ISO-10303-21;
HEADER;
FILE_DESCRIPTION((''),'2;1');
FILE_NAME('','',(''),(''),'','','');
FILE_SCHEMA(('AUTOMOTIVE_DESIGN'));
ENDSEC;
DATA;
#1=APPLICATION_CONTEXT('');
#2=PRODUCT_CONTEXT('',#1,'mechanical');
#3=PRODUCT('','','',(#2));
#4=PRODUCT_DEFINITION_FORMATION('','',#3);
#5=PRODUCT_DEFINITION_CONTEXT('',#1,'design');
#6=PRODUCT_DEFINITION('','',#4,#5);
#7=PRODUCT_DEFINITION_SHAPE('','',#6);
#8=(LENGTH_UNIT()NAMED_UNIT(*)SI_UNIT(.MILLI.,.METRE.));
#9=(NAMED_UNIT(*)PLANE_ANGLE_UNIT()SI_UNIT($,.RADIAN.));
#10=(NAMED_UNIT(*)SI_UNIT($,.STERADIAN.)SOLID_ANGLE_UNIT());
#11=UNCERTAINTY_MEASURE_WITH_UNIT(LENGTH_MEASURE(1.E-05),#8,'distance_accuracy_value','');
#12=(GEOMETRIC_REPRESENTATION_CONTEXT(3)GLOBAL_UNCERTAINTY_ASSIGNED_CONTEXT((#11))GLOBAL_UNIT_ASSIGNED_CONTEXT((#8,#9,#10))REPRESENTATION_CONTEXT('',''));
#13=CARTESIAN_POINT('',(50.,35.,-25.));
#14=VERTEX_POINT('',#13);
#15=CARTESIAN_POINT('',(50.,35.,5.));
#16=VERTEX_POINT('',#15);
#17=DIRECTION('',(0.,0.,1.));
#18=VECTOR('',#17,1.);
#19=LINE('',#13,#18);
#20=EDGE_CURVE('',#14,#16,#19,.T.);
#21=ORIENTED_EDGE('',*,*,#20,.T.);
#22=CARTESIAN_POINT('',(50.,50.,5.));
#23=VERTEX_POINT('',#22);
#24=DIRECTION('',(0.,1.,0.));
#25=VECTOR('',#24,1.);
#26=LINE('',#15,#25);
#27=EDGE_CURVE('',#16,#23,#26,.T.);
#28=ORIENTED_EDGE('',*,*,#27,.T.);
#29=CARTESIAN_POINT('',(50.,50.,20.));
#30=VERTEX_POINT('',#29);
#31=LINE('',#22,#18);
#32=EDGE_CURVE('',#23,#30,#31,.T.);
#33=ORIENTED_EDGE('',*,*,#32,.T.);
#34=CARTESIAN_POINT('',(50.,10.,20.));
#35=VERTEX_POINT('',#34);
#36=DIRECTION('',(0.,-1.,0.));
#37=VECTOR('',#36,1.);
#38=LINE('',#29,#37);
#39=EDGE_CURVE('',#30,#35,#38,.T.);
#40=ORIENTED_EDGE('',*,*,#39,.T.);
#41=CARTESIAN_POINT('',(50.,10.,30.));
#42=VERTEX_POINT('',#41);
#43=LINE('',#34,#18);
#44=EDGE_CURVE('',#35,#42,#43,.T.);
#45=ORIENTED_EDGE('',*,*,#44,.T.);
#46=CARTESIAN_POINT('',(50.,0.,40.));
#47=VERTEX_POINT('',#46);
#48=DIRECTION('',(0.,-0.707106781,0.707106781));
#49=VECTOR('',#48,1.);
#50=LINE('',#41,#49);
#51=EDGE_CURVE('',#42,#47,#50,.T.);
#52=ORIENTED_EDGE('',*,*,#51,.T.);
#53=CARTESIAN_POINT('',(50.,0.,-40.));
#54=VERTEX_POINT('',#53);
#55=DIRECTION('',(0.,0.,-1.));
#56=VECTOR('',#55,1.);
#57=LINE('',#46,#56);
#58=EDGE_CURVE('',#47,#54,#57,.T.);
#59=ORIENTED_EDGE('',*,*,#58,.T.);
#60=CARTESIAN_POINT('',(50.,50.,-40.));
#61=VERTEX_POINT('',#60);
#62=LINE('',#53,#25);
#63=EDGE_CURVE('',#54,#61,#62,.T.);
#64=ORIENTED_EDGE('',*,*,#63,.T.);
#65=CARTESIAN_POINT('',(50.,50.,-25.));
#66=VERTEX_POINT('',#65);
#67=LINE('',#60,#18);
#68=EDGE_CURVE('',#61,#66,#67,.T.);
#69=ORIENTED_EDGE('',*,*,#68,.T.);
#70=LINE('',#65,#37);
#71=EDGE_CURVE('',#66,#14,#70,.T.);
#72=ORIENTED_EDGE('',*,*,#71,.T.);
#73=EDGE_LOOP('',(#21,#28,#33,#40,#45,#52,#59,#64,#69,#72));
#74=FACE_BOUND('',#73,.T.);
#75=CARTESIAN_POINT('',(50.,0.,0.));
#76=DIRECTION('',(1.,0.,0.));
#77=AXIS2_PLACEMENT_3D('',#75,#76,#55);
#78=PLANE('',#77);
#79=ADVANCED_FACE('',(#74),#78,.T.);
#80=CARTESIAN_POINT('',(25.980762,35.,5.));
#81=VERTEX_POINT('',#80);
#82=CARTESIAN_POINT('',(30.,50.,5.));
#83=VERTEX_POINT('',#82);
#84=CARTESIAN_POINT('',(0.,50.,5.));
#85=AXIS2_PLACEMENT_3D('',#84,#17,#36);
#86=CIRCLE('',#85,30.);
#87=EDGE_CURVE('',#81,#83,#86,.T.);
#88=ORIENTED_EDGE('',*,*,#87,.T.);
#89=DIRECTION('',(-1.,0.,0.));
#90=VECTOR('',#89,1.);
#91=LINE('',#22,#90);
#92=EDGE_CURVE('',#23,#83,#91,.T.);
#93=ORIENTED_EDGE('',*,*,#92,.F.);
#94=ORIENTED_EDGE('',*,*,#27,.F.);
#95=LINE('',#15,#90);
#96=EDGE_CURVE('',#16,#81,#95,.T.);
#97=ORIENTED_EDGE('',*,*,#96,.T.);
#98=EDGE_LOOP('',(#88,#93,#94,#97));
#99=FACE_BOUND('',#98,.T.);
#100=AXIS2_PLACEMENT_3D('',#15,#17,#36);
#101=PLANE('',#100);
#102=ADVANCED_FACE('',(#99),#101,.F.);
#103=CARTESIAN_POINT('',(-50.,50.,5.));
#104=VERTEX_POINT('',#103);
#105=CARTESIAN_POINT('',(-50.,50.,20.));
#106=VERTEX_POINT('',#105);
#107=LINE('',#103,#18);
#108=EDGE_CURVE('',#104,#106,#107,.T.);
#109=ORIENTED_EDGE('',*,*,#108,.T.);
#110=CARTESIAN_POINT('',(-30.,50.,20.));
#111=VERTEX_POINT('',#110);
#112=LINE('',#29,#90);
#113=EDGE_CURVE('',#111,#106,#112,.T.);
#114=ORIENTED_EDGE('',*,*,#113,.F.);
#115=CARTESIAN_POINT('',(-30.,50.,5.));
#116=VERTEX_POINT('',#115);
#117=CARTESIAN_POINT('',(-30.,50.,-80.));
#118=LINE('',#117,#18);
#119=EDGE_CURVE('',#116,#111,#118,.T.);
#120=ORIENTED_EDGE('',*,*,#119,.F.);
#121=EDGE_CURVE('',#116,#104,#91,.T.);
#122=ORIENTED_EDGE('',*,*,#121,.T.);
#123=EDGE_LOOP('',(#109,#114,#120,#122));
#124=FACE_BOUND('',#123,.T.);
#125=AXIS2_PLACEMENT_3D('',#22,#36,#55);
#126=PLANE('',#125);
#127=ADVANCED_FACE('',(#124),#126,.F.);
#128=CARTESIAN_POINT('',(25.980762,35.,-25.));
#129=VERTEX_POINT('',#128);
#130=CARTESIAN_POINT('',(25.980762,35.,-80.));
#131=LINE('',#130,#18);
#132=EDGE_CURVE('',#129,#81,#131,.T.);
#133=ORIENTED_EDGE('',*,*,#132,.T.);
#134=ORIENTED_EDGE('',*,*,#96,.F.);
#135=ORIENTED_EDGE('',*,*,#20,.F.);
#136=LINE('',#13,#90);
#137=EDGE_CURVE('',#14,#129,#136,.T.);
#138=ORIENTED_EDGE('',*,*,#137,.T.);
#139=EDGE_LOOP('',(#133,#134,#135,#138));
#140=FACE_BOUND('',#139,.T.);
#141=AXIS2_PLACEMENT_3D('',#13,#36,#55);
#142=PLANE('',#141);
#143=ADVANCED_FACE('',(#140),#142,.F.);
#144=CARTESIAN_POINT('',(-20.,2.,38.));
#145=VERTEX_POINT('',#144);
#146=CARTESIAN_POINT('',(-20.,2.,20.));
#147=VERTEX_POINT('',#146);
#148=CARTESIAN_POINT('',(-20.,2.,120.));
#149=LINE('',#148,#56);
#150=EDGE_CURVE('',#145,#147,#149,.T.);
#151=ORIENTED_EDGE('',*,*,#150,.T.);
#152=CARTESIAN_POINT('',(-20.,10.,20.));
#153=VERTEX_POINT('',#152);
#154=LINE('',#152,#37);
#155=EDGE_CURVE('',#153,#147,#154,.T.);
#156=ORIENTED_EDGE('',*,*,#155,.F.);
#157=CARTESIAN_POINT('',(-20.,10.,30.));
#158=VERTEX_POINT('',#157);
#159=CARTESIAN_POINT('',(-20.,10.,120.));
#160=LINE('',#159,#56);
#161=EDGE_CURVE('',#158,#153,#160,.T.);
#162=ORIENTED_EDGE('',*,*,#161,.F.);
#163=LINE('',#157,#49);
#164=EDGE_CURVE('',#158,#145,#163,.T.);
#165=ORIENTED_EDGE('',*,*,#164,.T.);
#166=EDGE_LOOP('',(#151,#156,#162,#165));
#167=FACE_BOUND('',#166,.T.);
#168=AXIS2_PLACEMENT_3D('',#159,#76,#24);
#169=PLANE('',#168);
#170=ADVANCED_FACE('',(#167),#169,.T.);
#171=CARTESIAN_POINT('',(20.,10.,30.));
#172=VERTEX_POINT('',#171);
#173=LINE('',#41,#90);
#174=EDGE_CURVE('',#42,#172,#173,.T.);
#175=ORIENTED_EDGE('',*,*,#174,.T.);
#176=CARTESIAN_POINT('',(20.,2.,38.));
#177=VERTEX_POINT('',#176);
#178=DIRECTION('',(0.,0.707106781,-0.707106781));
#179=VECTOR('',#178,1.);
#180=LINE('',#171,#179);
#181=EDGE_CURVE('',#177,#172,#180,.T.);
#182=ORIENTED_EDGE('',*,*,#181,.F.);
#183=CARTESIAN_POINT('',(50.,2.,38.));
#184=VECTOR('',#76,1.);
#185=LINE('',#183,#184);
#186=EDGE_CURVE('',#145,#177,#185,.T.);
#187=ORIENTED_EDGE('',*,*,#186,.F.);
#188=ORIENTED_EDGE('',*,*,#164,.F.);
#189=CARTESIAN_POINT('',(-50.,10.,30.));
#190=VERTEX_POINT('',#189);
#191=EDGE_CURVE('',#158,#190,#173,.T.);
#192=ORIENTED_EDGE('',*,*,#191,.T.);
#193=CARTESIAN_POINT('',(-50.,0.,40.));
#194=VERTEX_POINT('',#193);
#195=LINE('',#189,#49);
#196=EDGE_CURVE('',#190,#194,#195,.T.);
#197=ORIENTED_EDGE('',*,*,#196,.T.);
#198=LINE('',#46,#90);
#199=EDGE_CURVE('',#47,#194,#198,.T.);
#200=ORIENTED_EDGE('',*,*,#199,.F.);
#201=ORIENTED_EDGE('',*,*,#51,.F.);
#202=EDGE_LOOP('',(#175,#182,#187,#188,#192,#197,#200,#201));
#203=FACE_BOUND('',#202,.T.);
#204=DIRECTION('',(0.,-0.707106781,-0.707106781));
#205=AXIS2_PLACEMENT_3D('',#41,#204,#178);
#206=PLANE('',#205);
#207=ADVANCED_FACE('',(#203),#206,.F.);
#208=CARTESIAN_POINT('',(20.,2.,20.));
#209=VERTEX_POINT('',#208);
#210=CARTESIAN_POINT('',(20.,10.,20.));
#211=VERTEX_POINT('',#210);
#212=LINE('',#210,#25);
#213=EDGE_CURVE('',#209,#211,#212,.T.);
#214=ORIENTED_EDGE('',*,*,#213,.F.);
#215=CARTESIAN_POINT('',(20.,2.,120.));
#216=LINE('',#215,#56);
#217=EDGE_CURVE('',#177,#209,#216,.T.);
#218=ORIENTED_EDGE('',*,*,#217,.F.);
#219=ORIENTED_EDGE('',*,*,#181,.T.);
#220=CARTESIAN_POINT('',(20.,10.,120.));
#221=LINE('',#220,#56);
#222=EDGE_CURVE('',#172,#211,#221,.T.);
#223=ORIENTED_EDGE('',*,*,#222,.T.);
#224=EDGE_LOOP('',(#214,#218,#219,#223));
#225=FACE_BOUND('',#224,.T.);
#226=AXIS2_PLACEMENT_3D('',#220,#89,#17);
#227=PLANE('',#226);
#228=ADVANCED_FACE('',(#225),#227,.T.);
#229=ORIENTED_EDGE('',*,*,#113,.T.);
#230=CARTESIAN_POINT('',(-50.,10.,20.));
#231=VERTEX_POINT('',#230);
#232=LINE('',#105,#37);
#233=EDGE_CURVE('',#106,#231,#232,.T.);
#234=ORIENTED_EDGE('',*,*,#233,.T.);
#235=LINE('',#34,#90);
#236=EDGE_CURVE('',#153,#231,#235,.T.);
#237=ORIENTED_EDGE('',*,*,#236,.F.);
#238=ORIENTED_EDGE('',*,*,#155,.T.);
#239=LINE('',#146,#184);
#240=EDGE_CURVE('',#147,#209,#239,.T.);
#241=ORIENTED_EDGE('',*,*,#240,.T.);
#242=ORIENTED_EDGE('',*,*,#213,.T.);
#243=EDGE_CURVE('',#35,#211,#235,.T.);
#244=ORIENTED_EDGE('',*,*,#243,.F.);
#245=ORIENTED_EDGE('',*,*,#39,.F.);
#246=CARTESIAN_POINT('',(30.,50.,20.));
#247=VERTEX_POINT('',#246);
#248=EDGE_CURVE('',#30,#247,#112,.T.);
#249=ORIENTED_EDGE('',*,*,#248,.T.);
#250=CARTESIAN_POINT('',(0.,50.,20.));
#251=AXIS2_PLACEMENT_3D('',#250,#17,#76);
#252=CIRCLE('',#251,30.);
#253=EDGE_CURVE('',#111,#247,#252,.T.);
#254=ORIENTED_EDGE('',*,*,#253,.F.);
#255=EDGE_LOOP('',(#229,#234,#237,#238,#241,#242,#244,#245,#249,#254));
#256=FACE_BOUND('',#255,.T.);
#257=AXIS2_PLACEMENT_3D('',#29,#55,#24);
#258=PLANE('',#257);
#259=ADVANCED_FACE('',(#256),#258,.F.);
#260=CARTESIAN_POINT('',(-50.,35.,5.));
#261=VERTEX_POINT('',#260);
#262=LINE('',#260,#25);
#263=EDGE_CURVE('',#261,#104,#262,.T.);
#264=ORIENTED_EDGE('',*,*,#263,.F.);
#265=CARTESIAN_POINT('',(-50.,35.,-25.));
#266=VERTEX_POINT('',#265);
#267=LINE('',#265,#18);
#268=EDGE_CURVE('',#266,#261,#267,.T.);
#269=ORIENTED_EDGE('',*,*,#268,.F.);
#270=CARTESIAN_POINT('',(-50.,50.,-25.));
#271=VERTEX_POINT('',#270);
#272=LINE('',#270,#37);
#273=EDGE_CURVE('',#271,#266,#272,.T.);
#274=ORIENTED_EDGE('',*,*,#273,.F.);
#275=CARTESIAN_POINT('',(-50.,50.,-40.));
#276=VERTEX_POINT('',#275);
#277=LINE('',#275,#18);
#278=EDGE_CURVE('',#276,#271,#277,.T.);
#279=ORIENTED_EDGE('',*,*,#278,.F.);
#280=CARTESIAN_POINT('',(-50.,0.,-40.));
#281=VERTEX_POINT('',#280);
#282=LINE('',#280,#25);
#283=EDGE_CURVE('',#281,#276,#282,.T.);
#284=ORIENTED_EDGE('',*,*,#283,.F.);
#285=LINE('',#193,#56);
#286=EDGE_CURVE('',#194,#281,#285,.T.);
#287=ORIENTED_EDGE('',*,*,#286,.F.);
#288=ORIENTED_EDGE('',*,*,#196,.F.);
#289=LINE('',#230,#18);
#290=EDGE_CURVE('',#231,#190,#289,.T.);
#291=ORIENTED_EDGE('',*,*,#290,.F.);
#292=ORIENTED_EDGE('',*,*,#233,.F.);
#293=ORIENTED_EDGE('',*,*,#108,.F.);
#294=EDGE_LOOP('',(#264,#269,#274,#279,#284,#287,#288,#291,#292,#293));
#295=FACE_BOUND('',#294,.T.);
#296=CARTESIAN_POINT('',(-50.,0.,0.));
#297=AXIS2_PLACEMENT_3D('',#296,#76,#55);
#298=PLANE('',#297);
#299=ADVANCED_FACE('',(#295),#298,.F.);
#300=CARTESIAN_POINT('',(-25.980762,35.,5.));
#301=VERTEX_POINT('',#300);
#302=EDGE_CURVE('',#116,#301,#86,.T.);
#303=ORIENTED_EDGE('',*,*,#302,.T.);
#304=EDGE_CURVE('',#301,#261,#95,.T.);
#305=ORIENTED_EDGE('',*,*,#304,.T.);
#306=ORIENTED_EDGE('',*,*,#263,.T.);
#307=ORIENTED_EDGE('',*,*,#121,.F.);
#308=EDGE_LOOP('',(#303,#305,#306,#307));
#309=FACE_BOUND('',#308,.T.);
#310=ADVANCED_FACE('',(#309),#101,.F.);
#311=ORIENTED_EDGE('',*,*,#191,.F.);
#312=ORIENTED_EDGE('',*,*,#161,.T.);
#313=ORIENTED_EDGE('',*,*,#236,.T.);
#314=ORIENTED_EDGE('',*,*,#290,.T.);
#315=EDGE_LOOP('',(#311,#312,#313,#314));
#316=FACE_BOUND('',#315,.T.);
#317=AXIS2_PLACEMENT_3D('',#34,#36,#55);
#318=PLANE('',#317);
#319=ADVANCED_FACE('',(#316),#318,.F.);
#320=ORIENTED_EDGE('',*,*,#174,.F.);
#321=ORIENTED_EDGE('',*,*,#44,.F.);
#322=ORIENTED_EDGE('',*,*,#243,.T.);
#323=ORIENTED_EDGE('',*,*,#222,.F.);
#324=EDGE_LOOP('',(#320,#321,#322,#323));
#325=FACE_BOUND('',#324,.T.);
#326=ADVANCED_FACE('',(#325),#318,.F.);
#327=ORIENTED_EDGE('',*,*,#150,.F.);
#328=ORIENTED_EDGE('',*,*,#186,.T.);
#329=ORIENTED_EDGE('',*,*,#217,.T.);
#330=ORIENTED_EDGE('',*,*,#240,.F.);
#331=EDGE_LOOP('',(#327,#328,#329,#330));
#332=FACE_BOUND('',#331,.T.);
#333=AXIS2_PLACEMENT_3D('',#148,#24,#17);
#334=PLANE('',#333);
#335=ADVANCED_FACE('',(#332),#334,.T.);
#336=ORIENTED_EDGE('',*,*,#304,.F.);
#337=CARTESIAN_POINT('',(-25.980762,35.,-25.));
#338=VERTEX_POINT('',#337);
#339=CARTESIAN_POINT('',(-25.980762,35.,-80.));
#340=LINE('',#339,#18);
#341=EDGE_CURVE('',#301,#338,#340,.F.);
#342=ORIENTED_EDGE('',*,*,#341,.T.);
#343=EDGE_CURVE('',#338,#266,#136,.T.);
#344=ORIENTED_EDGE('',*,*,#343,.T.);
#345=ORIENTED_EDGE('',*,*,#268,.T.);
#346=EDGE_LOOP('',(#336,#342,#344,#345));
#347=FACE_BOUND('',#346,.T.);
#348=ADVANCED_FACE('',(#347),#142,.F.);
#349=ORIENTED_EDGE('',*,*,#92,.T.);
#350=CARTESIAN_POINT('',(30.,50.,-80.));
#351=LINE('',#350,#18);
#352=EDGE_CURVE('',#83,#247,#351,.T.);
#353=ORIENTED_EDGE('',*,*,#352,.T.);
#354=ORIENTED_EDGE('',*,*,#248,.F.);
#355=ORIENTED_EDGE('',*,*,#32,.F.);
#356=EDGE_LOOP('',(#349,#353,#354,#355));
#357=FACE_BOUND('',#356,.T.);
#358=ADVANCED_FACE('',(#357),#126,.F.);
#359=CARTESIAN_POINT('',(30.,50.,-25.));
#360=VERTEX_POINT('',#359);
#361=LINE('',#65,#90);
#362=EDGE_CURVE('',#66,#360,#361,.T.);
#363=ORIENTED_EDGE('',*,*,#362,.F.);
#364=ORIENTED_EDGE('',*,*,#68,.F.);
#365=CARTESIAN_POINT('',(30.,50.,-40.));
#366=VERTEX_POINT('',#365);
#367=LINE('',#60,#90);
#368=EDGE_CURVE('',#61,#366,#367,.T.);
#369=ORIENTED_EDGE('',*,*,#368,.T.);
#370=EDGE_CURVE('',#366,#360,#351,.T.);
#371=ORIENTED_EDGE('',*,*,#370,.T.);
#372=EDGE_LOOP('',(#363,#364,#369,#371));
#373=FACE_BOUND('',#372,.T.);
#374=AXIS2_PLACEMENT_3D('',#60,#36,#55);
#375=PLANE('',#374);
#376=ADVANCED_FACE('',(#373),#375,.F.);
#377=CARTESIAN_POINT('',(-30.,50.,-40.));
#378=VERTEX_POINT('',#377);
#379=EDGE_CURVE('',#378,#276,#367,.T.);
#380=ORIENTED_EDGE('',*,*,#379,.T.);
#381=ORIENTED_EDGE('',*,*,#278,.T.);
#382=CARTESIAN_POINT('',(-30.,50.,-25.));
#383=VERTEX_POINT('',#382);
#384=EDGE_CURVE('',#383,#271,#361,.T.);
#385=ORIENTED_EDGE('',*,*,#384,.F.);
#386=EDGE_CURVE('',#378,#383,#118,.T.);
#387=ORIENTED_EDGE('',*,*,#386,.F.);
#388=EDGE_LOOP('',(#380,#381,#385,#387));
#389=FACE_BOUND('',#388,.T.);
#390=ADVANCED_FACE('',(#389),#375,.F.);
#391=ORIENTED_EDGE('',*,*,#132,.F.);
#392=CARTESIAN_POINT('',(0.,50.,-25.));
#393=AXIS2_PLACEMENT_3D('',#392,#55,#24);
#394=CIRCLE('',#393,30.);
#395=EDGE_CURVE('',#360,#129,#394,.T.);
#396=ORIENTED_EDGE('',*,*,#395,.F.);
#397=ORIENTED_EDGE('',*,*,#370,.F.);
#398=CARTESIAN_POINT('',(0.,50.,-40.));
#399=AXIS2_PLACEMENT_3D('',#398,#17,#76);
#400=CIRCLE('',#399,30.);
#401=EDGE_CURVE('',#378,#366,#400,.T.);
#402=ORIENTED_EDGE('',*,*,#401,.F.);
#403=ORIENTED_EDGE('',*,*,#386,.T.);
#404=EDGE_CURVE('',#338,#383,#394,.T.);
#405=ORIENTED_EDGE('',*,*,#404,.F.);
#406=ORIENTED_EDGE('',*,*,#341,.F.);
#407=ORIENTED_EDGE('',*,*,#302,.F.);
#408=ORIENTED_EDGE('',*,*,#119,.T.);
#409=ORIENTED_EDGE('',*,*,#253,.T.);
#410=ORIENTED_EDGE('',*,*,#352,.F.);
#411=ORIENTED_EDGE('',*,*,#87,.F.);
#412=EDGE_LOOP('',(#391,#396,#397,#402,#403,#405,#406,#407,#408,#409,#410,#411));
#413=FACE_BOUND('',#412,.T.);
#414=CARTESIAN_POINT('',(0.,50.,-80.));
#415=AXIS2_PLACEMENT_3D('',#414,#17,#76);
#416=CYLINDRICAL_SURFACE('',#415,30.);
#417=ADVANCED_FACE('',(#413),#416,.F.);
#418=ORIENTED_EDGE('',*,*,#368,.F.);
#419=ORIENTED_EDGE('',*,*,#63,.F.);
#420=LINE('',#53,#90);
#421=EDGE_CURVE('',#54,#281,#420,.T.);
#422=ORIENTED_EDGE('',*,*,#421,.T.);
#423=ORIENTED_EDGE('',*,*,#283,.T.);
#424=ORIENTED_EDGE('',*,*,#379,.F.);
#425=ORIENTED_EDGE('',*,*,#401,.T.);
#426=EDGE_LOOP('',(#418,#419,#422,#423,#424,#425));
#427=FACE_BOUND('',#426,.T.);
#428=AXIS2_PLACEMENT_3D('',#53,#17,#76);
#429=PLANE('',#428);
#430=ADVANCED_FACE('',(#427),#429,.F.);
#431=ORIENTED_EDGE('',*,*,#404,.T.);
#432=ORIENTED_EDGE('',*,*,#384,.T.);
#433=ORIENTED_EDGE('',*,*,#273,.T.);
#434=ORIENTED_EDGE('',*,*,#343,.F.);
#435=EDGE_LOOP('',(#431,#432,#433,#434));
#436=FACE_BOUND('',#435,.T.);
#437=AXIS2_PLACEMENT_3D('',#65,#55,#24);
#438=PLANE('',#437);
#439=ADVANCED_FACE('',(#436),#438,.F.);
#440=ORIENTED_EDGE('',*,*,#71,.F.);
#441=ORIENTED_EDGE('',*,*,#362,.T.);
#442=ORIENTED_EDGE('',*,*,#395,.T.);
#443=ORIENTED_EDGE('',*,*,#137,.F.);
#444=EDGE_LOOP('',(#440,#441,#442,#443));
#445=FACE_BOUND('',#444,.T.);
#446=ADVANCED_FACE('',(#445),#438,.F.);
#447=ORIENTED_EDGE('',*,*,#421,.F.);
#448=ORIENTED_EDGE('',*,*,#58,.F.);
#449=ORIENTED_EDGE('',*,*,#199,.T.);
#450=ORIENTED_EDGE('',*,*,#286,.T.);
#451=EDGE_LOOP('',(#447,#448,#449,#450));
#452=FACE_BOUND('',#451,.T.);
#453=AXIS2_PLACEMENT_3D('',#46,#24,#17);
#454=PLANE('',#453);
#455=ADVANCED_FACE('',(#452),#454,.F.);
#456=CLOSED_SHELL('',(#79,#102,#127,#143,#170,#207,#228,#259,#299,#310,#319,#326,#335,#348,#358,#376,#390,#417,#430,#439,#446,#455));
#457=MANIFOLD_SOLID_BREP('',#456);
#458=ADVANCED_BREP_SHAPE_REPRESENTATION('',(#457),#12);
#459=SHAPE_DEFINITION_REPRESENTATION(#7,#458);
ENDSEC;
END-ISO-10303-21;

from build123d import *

# Parameters (mm, degrees)
BOSS_EXTRUDE1_DEPTH = 50
CUT_EXTRUDE1_DEPTH  = 100
SKETCH3_W           = 40
SKETCH3_H           = 8
CUT_EXTRUDE2_DEPTH  = 100


with BuildPart() as part:
    # Sketch1 → Boss-Extrude1 (new body, symmetric)
    with BuildSketch(Plane(origin=(0, 0, 0), x_dir=(0, 0, -1), z_dir=(1, 0, 0))):
        Polygon((-40, 0), (40, 0), (40, 50), (25, 50), (25, 35), (-5, 35), (-5, 50), (-20, 50), (-20, 10), (-30, 10), align=None)
    extrude(amount=BOSS_EXTRUDE1_DEPTH, both=True)

    # Sketch2 → Cut-Extrude1 (cut)
    with BuildSketch(Plane.XY.offset(20)):
        with BuildLine():
            Line((-30, 50), (30, 50))
            ThreePointArc((30, 50), (0, 20), (-30, 50))
        make_face()
    extrude(amount=-CUT_EXTRUDE1_DEPTH, mode=Mode.SUBTRACT)

    # Sketch3 → Cut-Extrude2 (cut)
    with BuildSketch(Plane.XY.offset(20)):
        with Locations((0, 6)):
            Rectangle(SKETCH3_W, SKETCH3_H)
    extrude(amount=CUT_EXTRUDE2_DEPTH, mode=Mode.SUBTRACT)


solid = part.part
